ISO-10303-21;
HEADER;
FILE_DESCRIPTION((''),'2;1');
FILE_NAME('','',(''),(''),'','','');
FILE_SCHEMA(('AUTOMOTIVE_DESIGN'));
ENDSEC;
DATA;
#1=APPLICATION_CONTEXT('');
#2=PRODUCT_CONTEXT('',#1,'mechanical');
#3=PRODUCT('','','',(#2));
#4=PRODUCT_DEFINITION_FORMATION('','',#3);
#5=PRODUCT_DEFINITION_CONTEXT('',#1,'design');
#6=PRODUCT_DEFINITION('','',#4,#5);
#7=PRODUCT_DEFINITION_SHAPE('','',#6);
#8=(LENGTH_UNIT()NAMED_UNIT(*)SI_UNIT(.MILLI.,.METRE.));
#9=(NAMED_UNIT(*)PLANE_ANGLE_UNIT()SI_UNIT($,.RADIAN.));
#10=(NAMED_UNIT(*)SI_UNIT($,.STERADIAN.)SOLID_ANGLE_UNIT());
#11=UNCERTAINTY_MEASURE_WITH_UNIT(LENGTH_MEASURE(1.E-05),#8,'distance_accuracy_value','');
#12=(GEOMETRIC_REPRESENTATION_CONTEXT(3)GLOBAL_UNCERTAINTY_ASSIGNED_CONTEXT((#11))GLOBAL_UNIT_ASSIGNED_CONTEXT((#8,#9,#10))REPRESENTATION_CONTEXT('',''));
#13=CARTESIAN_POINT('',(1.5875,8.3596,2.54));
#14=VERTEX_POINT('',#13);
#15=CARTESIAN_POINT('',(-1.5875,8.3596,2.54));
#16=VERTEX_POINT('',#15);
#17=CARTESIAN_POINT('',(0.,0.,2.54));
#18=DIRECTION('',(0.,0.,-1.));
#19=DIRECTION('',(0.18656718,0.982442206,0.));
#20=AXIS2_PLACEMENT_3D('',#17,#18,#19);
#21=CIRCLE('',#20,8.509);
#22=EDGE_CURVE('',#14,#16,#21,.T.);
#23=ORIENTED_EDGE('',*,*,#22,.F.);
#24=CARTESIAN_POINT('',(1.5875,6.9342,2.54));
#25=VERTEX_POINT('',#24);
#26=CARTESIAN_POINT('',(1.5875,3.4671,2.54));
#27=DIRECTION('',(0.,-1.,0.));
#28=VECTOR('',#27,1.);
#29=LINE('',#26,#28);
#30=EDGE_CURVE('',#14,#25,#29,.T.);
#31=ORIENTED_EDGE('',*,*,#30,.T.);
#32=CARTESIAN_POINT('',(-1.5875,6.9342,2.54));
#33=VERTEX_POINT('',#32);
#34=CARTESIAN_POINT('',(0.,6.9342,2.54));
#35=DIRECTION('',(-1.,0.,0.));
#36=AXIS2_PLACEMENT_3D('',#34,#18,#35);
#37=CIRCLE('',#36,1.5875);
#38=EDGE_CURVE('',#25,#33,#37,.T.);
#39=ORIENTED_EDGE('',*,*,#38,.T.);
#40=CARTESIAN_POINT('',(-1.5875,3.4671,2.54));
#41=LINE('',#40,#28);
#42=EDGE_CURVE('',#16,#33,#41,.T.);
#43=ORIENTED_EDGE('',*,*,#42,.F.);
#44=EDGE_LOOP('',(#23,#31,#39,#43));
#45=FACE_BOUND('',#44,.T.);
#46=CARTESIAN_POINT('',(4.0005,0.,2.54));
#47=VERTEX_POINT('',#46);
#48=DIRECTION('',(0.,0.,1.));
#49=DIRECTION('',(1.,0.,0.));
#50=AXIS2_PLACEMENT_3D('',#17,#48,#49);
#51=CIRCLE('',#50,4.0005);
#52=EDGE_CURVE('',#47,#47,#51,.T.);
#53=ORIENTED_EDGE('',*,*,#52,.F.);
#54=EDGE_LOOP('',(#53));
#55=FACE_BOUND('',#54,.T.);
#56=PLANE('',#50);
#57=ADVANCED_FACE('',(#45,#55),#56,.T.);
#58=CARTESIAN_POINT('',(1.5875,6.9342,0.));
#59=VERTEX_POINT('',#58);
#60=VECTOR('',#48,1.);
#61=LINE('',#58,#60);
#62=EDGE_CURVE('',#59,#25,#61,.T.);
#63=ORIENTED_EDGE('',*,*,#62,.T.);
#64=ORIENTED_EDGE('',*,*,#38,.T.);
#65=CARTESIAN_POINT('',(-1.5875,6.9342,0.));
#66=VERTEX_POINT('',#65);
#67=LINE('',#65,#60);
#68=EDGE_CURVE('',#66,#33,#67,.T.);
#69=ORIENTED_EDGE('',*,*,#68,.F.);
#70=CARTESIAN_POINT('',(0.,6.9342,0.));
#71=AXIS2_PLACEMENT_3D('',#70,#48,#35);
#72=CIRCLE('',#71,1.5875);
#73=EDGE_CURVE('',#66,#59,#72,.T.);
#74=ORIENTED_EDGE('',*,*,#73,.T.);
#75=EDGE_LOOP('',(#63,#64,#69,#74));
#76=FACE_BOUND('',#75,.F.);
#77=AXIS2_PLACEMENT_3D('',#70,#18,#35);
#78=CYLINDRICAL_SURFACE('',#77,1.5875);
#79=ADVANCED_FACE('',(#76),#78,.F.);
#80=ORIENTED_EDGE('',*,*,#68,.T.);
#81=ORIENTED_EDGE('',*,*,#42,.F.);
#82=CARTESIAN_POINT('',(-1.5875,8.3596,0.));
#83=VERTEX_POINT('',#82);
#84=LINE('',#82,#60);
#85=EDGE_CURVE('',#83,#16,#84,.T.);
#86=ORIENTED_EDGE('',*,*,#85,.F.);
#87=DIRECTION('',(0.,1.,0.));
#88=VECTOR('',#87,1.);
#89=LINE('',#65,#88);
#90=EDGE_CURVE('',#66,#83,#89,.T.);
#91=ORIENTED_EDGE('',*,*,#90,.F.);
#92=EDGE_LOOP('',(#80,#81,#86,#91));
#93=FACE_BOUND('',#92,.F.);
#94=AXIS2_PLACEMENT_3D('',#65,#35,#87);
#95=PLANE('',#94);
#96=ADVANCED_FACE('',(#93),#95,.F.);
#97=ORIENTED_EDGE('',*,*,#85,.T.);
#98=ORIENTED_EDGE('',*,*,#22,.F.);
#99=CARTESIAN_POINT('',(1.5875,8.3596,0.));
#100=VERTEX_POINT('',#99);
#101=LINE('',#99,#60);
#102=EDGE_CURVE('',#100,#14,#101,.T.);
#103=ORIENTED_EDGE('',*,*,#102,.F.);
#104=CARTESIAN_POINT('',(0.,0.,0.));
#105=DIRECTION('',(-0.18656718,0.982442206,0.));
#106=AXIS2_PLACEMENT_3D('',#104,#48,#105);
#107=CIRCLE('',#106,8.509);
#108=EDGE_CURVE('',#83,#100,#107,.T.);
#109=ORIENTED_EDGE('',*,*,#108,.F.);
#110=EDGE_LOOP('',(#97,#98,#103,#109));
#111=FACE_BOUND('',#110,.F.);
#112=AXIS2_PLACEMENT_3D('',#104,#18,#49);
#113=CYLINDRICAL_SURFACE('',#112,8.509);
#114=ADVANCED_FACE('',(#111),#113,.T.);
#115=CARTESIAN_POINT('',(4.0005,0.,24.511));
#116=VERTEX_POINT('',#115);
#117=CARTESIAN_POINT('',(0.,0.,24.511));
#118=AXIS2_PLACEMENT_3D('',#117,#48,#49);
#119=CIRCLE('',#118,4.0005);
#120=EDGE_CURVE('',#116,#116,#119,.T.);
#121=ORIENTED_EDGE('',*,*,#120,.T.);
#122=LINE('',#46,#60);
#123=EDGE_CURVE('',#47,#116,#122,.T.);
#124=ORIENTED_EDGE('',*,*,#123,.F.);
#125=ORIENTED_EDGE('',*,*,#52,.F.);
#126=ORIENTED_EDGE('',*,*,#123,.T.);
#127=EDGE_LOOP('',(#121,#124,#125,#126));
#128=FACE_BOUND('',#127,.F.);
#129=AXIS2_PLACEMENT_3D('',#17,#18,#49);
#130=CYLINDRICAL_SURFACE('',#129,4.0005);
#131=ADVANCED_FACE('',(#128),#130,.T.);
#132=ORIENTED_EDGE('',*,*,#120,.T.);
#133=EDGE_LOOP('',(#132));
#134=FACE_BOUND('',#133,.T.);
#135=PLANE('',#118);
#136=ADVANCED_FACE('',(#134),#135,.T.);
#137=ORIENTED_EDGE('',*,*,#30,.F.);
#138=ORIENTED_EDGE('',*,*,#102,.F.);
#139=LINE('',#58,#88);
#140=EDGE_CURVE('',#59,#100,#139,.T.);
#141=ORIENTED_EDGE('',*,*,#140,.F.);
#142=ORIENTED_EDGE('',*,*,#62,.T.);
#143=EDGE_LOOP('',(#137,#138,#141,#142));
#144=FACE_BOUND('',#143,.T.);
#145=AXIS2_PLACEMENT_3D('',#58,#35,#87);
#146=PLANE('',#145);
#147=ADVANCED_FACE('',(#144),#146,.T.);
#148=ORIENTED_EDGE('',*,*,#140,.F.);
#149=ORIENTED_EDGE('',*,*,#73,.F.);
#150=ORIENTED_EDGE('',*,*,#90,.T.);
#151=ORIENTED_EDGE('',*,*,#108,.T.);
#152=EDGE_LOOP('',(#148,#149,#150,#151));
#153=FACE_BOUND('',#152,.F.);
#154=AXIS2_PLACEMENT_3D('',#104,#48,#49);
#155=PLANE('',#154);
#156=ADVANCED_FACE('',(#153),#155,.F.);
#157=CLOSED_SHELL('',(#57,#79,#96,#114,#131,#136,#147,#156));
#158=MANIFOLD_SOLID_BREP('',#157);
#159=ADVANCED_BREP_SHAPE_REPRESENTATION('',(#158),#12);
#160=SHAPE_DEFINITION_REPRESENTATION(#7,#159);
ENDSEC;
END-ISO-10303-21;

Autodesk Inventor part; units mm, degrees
ref_plane "YZ Plane" through (0, 0, 0) normal (1, 0, 0) x (0, 1, 0)
ref_plane "XZ Plane" through (0, 0, 0) normal (0, 1, 0) x (-1, 0, 0)
ref_plane "XY Plane" through (0, 0, 0) normal (0, 0, 1) x (1, 0, 0)
sketch "Sketch1" plane through (0, 0, 0) normal (0, 0, 1) x (1, 0, 0)
  circle A0 centre (0, 0) radius 8.509
  dimension "d0" = 17.018
extrude "Extrusion1" add sketch "Sketch1" along normal blind 2.54
sketch "Sketch3" plane through (0, 0, 0) normal (0, 0, -1) x (-1, 0, 0)
  line L0 (0, 0) -> (0, 6.9342)
  circle A0 centre (0, 6.9342) radius 1.5875
  line L1 (-1.5875, 6.9342) -> (-1.5875, 8.3596)
  circle A1 centre (0, 0) radius 8.509 projected
  line L2 (1.5875, 6.9342) -> (1.5875, 8.3596)
  dimension "d6" = 6.9342
  dimension "d7" = 3.175
extrude "Extrusion3" cut sketch "Sketch3" against normal through all contours A0 A1 | A0 A1 L2 | A0 L1 A1 picked at (-0.1424, 6.414)
sketch "Sketch2" plane through (0, 0, 2.54) normal (0, 0, 1) x (1, 0, 0)
  circle A0 centre (0, 0) radius 8.509 projected
  circle A1 centre (0, 0) radius 4.0005
  dimension "d3" = 8.001
extrude "Extrusion2" add sketch "Sketch2" along normal blind 21.971 contours A1
properties part number "pulley shaft"
